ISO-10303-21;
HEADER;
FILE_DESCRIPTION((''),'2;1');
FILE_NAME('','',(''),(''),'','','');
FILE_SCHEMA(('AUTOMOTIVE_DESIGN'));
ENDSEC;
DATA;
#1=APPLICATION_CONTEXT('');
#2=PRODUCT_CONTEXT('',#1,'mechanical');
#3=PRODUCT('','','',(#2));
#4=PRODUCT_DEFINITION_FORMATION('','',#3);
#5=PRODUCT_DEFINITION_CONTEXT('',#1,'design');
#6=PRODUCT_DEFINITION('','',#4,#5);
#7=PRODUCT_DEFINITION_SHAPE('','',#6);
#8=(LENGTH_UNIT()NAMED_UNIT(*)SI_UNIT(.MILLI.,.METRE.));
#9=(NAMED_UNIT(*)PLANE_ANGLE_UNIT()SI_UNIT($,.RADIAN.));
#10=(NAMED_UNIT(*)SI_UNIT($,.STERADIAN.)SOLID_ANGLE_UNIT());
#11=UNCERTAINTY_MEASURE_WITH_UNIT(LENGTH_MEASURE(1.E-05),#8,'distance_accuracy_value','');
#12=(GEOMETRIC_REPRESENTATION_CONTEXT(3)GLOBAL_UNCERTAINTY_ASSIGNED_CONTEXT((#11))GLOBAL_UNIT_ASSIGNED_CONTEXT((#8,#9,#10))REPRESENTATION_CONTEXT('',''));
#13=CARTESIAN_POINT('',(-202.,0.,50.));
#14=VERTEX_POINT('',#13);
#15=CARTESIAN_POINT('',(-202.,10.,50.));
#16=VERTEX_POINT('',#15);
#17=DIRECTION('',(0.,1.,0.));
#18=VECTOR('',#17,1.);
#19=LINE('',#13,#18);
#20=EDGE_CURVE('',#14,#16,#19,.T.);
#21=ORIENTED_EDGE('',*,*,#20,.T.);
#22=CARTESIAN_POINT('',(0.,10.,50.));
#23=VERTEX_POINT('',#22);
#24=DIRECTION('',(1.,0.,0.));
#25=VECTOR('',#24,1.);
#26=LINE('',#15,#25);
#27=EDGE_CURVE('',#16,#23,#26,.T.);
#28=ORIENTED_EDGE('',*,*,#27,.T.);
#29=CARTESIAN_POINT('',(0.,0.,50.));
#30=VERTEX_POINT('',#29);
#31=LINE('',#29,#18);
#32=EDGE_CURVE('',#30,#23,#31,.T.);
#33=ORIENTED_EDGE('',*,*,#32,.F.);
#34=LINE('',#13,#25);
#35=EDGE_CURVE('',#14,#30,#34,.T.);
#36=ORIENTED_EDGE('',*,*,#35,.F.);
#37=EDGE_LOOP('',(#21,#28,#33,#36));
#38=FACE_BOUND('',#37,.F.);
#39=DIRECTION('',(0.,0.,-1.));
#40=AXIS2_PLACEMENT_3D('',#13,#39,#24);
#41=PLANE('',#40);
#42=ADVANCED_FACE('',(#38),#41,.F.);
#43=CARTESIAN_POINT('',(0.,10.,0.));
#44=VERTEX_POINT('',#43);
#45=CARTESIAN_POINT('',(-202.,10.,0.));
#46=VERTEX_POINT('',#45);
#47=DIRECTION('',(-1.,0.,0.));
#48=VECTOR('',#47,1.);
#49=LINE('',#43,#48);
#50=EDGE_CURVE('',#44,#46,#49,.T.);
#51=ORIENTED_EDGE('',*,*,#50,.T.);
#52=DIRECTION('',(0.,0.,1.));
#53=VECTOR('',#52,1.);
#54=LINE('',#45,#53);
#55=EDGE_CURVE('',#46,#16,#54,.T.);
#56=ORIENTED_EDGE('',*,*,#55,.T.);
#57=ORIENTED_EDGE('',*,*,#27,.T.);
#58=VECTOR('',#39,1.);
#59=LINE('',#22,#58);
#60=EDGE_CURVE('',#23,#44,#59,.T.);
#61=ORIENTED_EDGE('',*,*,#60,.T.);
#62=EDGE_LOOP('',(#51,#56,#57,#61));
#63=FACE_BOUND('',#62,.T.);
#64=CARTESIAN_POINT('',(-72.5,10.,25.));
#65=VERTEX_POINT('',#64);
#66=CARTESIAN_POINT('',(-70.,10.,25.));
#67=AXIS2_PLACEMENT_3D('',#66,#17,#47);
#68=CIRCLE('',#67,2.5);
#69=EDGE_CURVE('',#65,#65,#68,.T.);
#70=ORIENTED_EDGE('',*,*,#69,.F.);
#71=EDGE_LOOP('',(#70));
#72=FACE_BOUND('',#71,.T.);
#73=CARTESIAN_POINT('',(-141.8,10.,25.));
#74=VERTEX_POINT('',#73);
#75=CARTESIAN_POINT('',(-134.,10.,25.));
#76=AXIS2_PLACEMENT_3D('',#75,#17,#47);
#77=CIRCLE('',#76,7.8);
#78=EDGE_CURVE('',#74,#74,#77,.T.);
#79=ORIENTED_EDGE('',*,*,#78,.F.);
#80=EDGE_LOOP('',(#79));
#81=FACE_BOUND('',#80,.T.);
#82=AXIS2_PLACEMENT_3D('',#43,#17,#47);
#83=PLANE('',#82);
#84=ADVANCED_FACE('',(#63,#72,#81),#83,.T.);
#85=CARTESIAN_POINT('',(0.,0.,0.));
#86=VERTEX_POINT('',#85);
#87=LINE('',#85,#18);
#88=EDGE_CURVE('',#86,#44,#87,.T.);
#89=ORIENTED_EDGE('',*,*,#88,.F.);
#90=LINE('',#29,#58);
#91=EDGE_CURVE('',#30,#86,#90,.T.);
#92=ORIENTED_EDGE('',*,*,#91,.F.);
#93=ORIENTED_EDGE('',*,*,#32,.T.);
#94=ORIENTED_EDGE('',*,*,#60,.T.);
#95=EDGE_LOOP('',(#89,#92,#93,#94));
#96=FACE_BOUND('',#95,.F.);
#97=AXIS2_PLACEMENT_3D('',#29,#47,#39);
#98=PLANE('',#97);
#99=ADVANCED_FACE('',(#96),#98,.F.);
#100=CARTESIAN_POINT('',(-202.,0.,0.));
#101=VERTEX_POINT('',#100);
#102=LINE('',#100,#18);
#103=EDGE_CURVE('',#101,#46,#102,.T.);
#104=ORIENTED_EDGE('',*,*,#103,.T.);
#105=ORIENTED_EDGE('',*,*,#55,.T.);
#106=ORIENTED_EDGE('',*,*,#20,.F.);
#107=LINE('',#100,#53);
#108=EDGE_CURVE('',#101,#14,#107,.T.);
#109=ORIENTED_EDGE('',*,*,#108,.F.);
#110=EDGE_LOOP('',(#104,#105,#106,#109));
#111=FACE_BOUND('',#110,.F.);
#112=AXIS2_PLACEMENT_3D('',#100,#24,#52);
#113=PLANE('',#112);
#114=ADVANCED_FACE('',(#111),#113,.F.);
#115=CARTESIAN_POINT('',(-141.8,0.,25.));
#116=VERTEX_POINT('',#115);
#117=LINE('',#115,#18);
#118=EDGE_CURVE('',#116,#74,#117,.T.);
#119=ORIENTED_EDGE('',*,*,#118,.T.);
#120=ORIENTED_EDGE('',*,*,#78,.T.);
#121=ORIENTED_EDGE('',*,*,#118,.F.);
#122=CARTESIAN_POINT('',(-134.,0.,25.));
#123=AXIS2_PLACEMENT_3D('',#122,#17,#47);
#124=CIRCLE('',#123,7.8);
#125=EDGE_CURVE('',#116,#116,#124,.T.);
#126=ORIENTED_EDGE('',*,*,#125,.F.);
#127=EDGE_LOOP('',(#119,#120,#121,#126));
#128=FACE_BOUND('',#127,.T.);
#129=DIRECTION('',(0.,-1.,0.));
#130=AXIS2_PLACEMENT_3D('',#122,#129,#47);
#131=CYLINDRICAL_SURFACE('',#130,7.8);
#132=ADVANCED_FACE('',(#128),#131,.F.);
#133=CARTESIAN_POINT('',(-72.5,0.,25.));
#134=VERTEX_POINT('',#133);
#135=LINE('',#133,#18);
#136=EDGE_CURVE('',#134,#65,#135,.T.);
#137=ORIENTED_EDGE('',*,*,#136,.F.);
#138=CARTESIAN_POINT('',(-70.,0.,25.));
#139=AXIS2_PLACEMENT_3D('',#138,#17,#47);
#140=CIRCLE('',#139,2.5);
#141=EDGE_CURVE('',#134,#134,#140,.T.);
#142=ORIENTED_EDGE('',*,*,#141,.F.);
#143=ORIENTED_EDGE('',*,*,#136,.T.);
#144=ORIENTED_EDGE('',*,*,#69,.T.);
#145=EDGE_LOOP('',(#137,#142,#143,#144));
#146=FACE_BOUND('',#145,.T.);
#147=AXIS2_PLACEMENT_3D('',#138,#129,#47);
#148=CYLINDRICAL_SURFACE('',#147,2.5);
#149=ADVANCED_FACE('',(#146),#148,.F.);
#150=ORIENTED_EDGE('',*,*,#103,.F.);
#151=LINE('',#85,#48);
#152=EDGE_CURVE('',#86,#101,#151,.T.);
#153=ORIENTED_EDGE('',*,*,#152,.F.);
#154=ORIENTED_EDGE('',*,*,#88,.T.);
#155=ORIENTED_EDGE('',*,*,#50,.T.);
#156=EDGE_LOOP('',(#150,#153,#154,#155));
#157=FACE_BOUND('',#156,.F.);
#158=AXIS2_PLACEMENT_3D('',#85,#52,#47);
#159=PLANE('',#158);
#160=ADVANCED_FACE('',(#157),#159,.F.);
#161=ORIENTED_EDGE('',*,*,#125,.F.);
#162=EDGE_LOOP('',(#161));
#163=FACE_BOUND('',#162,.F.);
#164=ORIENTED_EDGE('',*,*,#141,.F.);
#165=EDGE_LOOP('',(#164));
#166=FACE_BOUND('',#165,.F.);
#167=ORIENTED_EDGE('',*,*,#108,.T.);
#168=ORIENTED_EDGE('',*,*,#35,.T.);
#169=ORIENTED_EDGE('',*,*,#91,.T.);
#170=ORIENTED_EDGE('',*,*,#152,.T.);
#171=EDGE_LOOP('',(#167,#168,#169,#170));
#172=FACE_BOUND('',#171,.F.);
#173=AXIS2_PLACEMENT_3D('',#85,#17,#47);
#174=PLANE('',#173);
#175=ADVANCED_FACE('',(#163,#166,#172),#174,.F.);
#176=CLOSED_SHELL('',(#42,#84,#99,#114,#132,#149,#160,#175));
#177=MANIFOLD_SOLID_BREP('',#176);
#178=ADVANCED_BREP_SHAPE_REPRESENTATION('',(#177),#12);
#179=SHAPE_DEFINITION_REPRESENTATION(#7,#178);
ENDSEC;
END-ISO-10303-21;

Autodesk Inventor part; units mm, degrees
ref_plane "YZ Plane" through (0, 0, 0) normal (1, 0, 0) x (0, 1, 0)
ref_plane "XZ Plane" through (0, 0, 0) normal (0, 1, 0) x (-1, 0, 0)
ref_plane "XY Plane" through (0, 0, 0) normal (0, 0, 1) x (1, 0, 0)
sketch "Sketch1" plane through (0, 0, 0) normal (0, 1, 0) x (-1, 0, 0)
  line L0 (0, 0) -> (202, 0)
  line L1 (202, 0) -> (202, 50)
  line L2 (202, 50) -> (0, 50)
  line L3 (0, 50) -> (0, 0)
  circle A0 centre (70, 25) radius 2.5
  circle A1 centre (134, 25) radius 7.8
extrude "Extrusion1" add sketch "Sketch1" along normal blind 10
properties part number "column" material "Wood (Oak)"
